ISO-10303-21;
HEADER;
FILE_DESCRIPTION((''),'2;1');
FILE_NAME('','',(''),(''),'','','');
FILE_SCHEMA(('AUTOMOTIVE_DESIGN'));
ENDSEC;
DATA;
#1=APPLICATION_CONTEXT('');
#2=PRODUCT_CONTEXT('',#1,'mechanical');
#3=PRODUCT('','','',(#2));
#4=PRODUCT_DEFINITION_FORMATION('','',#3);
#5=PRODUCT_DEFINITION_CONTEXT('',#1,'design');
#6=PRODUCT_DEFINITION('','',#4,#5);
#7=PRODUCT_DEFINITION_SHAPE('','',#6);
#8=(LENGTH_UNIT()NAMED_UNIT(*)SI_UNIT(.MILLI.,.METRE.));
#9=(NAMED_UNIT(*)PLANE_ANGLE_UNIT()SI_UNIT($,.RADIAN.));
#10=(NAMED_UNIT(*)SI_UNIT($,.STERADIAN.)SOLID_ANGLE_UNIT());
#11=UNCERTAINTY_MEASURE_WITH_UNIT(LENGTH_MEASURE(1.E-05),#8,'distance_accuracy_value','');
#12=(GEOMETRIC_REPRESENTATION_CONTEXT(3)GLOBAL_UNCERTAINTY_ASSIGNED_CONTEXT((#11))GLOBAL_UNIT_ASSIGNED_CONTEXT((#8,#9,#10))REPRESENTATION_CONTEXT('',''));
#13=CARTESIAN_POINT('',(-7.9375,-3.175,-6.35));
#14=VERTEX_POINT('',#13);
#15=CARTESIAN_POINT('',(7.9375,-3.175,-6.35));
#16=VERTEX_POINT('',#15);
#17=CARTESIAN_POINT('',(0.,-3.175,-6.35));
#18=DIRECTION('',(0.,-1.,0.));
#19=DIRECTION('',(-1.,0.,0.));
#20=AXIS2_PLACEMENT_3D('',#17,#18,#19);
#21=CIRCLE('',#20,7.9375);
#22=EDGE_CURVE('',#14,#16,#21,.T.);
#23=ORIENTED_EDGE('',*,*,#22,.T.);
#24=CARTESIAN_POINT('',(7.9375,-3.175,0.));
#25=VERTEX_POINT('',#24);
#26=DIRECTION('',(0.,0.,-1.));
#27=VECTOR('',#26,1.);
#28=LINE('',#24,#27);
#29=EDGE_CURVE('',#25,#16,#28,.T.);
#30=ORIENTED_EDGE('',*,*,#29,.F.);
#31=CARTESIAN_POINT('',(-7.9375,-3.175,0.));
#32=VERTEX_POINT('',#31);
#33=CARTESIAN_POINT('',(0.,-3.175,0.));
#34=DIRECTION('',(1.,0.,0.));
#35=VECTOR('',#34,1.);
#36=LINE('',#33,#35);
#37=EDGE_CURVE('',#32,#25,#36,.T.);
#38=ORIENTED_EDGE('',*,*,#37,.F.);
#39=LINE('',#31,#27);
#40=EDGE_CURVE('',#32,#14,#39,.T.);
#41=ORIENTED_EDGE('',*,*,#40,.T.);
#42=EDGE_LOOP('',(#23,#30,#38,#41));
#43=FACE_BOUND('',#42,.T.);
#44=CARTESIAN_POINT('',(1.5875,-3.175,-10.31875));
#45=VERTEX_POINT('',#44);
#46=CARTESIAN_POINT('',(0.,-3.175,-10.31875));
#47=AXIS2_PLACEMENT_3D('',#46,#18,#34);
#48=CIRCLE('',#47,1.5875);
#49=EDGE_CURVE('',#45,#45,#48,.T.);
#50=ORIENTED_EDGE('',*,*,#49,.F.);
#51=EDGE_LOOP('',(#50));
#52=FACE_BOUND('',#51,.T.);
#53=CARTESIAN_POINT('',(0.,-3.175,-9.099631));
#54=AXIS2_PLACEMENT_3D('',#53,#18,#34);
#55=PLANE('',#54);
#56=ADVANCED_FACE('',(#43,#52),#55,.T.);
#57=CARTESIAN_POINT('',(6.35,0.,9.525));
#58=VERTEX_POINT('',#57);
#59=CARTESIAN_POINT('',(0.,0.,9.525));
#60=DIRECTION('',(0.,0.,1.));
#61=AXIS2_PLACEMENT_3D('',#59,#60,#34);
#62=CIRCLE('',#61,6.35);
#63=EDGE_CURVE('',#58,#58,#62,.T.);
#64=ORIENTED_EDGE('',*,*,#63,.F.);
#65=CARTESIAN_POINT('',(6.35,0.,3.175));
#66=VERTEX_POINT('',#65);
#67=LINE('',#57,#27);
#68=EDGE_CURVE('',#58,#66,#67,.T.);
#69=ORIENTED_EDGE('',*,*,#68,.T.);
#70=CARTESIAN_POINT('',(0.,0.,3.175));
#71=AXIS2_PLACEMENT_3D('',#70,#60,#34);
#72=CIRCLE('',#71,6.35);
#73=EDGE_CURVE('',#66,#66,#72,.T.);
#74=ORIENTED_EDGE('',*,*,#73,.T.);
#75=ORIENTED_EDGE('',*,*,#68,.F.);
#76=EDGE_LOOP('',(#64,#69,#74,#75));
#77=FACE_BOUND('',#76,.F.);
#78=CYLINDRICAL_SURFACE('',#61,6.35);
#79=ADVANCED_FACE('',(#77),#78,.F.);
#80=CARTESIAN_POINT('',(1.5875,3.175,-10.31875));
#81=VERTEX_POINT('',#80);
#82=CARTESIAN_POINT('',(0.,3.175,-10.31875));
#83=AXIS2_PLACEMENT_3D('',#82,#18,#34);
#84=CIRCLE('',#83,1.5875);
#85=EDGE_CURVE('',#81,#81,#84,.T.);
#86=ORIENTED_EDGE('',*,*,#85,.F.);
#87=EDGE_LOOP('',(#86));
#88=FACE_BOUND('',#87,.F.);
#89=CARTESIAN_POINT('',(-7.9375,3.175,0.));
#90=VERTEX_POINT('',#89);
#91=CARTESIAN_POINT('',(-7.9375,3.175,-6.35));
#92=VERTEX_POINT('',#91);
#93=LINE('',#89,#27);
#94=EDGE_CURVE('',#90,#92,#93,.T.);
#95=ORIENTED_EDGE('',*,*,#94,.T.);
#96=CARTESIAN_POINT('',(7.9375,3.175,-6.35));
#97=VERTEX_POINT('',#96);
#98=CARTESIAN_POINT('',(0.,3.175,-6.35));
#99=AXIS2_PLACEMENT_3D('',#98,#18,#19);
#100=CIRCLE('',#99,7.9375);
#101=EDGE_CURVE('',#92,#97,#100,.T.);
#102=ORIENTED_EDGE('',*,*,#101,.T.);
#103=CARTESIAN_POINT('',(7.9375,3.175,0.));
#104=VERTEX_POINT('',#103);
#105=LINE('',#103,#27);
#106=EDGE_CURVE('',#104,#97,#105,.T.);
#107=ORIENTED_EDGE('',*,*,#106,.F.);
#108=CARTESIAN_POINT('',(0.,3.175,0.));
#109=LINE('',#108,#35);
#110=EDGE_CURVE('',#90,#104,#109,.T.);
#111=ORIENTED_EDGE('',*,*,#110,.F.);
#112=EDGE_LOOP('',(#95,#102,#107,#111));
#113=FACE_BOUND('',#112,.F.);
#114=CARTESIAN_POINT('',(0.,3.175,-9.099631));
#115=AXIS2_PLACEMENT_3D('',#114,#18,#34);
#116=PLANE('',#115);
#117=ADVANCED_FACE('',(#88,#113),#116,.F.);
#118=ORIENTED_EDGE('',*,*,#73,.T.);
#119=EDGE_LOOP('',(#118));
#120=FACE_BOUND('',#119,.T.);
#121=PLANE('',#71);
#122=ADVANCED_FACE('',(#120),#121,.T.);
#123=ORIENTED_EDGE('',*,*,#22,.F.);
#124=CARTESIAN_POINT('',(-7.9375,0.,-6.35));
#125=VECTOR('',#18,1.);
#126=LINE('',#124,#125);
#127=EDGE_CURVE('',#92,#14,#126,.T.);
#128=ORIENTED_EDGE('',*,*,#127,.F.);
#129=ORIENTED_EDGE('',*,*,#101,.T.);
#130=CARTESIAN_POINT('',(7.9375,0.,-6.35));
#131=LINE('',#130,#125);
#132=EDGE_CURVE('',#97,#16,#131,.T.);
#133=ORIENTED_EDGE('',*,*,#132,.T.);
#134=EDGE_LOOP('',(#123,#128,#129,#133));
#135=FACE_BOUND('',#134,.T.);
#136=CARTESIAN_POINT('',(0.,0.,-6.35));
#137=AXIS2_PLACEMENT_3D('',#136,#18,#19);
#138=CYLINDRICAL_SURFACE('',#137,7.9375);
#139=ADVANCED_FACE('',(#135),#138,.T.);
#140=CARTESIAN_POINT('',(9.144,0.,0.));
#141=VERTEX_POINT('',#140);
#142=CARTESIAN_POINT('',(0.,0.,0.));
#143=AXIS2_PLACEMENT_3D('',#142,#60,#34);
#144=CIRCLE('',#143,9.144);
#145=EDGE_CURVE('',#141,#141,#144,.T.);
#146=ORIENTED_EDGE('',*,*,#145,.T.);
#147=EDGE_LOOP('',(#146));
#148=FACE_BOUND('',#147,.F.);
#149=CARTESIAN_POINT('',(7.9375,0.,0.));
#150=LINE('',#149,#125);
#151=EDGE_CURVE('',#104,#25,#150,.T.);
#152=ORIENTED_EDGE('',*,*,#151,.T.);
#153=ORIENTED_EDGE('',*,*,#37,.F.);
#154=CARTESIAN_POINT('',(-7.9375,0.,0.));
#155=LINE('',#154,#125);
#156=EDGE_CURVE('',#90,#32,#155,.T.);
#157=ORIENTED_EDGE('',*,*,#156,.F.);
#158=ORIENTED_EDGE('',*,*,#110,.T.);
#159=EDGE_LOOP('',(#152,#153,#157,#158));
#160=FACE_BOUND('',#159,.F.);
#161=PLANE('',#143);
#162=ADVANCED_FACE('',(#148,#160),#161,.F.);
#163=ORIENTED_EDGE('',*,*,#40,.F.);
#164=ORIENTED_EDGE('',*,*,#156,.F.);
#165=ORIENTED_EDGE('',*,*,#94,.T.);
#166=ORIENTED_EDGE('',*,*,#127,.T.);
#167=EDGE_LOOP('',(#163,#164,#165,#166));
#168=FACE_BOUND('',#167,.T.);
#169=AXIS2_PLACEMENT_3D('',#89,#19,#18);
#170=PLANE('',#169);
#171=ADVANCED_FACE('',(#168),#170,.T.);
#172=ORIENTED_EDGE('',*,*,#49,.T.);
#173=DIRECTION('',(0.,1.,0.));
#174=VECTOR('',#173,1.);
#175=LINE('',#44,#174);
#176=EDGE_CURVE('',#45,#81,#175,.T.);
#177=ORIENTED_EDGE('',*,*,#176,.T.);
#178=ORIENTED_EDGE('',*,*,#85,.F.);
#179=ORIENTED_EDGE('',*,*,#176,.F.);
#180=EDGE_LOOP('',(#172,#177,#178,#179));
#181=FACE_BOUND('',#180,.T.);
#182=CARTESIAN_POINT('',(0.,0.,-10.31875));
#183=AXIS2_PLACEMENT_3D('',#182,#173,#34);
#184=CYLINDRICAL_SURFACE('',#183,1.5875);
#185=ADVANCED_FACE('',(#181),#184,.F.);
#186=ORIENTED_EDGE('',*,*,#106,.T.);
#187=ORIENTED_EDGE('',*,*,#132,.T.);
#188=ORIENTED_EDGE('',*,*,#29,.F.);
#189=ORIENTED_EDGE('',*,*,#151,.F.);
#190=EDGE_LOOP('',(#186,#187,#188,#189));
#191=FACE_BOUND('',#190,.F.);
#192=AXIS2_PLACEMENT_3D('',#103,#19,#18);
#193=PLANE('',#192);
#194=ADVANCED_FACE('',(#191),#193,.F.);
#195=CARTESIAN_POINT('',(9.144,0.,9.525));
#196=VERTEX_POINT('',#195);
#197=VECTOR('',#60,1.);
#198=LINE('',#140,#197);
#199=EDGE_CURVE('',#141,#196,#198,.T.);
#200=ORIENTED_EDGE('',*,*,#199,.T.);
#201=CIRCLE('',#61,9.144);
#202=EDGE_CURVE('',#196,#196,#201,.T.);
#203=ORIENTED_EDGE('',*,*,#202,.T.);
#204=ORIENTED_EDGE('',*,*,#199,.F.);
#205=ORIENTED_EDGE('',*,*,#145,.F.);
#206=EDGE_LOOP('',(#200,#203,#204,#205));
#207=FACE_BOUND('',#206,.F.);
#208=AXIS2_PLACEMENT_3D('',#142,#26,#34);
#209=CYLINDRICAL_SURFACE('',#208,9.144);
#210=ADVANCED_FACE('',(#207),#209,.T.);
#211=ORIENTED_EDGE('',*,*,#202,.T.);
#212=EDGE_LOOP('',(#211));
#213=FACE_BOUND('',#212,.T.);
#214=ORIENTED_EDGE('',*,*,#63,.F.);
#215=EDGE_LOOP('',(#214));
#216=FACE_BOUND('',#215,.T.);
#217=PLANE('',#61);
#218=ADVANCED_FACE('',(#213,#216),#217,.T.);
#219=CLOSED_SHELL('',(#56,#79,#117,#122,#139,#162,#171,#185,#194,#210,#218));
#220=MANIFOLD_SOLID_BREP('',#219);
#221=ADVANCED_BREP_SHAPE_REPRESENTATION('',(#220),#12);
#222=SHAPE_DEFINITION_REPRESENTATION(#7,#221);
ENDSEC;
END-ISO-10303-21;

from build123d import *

# Parameters (mm, degrees)
F0_R     = 9.144
F1_DEPTH = 9.525
F2_R     = 6.35
F3_DEPTH = 6.35
F4_W     = 15.875
F4_H     = 6.35
F5_DEPTH = 6.35
F6_R     = 1.5875
F7_DEPTH = 3.175


with BuildPart() as f1:
    # F0 (on Top) → F1 (new body)
    with BuildSketch(Plane.XY):
        Circle(F0_R)
    extrude(amount=F1_DEPTH)

    # F2 (on face) → F3 (cut)
    with BuildSketch(Plane.XY.offset(9.525)):
        Circle(F2_R)
    extrude(amount=-F3_DEPTH, mode=Mode.SUBTRACT)

    # F4 (on face) → F5 (join)
    with BuildSketch(Plane(origin=(0, 0, 0), x_dir=(1, 0, 0), z_dir=(0, 0, -1))):
        Rectangle(F4_W, F4_H)
    extrude(amount=F5_DEPTH)

    # F6 (on Front) → F7 (join, symmetric)
    with BuildSketch(Plane.XZ):
        with BuildLine():
            Line((7.9375, -6.35), (-7.9375, -6.35))
            ThreePointArc((-7.9375, -6.35), (0, -14.2875), (7.9375, -6.35))
        make_face()
        with Locations((0, -10.31875)):
            Circle(F6_R, mode=Mode.SUBTRACT)
    extrude(amount=F7_DEPTH, both=True)


solid = f1.part
